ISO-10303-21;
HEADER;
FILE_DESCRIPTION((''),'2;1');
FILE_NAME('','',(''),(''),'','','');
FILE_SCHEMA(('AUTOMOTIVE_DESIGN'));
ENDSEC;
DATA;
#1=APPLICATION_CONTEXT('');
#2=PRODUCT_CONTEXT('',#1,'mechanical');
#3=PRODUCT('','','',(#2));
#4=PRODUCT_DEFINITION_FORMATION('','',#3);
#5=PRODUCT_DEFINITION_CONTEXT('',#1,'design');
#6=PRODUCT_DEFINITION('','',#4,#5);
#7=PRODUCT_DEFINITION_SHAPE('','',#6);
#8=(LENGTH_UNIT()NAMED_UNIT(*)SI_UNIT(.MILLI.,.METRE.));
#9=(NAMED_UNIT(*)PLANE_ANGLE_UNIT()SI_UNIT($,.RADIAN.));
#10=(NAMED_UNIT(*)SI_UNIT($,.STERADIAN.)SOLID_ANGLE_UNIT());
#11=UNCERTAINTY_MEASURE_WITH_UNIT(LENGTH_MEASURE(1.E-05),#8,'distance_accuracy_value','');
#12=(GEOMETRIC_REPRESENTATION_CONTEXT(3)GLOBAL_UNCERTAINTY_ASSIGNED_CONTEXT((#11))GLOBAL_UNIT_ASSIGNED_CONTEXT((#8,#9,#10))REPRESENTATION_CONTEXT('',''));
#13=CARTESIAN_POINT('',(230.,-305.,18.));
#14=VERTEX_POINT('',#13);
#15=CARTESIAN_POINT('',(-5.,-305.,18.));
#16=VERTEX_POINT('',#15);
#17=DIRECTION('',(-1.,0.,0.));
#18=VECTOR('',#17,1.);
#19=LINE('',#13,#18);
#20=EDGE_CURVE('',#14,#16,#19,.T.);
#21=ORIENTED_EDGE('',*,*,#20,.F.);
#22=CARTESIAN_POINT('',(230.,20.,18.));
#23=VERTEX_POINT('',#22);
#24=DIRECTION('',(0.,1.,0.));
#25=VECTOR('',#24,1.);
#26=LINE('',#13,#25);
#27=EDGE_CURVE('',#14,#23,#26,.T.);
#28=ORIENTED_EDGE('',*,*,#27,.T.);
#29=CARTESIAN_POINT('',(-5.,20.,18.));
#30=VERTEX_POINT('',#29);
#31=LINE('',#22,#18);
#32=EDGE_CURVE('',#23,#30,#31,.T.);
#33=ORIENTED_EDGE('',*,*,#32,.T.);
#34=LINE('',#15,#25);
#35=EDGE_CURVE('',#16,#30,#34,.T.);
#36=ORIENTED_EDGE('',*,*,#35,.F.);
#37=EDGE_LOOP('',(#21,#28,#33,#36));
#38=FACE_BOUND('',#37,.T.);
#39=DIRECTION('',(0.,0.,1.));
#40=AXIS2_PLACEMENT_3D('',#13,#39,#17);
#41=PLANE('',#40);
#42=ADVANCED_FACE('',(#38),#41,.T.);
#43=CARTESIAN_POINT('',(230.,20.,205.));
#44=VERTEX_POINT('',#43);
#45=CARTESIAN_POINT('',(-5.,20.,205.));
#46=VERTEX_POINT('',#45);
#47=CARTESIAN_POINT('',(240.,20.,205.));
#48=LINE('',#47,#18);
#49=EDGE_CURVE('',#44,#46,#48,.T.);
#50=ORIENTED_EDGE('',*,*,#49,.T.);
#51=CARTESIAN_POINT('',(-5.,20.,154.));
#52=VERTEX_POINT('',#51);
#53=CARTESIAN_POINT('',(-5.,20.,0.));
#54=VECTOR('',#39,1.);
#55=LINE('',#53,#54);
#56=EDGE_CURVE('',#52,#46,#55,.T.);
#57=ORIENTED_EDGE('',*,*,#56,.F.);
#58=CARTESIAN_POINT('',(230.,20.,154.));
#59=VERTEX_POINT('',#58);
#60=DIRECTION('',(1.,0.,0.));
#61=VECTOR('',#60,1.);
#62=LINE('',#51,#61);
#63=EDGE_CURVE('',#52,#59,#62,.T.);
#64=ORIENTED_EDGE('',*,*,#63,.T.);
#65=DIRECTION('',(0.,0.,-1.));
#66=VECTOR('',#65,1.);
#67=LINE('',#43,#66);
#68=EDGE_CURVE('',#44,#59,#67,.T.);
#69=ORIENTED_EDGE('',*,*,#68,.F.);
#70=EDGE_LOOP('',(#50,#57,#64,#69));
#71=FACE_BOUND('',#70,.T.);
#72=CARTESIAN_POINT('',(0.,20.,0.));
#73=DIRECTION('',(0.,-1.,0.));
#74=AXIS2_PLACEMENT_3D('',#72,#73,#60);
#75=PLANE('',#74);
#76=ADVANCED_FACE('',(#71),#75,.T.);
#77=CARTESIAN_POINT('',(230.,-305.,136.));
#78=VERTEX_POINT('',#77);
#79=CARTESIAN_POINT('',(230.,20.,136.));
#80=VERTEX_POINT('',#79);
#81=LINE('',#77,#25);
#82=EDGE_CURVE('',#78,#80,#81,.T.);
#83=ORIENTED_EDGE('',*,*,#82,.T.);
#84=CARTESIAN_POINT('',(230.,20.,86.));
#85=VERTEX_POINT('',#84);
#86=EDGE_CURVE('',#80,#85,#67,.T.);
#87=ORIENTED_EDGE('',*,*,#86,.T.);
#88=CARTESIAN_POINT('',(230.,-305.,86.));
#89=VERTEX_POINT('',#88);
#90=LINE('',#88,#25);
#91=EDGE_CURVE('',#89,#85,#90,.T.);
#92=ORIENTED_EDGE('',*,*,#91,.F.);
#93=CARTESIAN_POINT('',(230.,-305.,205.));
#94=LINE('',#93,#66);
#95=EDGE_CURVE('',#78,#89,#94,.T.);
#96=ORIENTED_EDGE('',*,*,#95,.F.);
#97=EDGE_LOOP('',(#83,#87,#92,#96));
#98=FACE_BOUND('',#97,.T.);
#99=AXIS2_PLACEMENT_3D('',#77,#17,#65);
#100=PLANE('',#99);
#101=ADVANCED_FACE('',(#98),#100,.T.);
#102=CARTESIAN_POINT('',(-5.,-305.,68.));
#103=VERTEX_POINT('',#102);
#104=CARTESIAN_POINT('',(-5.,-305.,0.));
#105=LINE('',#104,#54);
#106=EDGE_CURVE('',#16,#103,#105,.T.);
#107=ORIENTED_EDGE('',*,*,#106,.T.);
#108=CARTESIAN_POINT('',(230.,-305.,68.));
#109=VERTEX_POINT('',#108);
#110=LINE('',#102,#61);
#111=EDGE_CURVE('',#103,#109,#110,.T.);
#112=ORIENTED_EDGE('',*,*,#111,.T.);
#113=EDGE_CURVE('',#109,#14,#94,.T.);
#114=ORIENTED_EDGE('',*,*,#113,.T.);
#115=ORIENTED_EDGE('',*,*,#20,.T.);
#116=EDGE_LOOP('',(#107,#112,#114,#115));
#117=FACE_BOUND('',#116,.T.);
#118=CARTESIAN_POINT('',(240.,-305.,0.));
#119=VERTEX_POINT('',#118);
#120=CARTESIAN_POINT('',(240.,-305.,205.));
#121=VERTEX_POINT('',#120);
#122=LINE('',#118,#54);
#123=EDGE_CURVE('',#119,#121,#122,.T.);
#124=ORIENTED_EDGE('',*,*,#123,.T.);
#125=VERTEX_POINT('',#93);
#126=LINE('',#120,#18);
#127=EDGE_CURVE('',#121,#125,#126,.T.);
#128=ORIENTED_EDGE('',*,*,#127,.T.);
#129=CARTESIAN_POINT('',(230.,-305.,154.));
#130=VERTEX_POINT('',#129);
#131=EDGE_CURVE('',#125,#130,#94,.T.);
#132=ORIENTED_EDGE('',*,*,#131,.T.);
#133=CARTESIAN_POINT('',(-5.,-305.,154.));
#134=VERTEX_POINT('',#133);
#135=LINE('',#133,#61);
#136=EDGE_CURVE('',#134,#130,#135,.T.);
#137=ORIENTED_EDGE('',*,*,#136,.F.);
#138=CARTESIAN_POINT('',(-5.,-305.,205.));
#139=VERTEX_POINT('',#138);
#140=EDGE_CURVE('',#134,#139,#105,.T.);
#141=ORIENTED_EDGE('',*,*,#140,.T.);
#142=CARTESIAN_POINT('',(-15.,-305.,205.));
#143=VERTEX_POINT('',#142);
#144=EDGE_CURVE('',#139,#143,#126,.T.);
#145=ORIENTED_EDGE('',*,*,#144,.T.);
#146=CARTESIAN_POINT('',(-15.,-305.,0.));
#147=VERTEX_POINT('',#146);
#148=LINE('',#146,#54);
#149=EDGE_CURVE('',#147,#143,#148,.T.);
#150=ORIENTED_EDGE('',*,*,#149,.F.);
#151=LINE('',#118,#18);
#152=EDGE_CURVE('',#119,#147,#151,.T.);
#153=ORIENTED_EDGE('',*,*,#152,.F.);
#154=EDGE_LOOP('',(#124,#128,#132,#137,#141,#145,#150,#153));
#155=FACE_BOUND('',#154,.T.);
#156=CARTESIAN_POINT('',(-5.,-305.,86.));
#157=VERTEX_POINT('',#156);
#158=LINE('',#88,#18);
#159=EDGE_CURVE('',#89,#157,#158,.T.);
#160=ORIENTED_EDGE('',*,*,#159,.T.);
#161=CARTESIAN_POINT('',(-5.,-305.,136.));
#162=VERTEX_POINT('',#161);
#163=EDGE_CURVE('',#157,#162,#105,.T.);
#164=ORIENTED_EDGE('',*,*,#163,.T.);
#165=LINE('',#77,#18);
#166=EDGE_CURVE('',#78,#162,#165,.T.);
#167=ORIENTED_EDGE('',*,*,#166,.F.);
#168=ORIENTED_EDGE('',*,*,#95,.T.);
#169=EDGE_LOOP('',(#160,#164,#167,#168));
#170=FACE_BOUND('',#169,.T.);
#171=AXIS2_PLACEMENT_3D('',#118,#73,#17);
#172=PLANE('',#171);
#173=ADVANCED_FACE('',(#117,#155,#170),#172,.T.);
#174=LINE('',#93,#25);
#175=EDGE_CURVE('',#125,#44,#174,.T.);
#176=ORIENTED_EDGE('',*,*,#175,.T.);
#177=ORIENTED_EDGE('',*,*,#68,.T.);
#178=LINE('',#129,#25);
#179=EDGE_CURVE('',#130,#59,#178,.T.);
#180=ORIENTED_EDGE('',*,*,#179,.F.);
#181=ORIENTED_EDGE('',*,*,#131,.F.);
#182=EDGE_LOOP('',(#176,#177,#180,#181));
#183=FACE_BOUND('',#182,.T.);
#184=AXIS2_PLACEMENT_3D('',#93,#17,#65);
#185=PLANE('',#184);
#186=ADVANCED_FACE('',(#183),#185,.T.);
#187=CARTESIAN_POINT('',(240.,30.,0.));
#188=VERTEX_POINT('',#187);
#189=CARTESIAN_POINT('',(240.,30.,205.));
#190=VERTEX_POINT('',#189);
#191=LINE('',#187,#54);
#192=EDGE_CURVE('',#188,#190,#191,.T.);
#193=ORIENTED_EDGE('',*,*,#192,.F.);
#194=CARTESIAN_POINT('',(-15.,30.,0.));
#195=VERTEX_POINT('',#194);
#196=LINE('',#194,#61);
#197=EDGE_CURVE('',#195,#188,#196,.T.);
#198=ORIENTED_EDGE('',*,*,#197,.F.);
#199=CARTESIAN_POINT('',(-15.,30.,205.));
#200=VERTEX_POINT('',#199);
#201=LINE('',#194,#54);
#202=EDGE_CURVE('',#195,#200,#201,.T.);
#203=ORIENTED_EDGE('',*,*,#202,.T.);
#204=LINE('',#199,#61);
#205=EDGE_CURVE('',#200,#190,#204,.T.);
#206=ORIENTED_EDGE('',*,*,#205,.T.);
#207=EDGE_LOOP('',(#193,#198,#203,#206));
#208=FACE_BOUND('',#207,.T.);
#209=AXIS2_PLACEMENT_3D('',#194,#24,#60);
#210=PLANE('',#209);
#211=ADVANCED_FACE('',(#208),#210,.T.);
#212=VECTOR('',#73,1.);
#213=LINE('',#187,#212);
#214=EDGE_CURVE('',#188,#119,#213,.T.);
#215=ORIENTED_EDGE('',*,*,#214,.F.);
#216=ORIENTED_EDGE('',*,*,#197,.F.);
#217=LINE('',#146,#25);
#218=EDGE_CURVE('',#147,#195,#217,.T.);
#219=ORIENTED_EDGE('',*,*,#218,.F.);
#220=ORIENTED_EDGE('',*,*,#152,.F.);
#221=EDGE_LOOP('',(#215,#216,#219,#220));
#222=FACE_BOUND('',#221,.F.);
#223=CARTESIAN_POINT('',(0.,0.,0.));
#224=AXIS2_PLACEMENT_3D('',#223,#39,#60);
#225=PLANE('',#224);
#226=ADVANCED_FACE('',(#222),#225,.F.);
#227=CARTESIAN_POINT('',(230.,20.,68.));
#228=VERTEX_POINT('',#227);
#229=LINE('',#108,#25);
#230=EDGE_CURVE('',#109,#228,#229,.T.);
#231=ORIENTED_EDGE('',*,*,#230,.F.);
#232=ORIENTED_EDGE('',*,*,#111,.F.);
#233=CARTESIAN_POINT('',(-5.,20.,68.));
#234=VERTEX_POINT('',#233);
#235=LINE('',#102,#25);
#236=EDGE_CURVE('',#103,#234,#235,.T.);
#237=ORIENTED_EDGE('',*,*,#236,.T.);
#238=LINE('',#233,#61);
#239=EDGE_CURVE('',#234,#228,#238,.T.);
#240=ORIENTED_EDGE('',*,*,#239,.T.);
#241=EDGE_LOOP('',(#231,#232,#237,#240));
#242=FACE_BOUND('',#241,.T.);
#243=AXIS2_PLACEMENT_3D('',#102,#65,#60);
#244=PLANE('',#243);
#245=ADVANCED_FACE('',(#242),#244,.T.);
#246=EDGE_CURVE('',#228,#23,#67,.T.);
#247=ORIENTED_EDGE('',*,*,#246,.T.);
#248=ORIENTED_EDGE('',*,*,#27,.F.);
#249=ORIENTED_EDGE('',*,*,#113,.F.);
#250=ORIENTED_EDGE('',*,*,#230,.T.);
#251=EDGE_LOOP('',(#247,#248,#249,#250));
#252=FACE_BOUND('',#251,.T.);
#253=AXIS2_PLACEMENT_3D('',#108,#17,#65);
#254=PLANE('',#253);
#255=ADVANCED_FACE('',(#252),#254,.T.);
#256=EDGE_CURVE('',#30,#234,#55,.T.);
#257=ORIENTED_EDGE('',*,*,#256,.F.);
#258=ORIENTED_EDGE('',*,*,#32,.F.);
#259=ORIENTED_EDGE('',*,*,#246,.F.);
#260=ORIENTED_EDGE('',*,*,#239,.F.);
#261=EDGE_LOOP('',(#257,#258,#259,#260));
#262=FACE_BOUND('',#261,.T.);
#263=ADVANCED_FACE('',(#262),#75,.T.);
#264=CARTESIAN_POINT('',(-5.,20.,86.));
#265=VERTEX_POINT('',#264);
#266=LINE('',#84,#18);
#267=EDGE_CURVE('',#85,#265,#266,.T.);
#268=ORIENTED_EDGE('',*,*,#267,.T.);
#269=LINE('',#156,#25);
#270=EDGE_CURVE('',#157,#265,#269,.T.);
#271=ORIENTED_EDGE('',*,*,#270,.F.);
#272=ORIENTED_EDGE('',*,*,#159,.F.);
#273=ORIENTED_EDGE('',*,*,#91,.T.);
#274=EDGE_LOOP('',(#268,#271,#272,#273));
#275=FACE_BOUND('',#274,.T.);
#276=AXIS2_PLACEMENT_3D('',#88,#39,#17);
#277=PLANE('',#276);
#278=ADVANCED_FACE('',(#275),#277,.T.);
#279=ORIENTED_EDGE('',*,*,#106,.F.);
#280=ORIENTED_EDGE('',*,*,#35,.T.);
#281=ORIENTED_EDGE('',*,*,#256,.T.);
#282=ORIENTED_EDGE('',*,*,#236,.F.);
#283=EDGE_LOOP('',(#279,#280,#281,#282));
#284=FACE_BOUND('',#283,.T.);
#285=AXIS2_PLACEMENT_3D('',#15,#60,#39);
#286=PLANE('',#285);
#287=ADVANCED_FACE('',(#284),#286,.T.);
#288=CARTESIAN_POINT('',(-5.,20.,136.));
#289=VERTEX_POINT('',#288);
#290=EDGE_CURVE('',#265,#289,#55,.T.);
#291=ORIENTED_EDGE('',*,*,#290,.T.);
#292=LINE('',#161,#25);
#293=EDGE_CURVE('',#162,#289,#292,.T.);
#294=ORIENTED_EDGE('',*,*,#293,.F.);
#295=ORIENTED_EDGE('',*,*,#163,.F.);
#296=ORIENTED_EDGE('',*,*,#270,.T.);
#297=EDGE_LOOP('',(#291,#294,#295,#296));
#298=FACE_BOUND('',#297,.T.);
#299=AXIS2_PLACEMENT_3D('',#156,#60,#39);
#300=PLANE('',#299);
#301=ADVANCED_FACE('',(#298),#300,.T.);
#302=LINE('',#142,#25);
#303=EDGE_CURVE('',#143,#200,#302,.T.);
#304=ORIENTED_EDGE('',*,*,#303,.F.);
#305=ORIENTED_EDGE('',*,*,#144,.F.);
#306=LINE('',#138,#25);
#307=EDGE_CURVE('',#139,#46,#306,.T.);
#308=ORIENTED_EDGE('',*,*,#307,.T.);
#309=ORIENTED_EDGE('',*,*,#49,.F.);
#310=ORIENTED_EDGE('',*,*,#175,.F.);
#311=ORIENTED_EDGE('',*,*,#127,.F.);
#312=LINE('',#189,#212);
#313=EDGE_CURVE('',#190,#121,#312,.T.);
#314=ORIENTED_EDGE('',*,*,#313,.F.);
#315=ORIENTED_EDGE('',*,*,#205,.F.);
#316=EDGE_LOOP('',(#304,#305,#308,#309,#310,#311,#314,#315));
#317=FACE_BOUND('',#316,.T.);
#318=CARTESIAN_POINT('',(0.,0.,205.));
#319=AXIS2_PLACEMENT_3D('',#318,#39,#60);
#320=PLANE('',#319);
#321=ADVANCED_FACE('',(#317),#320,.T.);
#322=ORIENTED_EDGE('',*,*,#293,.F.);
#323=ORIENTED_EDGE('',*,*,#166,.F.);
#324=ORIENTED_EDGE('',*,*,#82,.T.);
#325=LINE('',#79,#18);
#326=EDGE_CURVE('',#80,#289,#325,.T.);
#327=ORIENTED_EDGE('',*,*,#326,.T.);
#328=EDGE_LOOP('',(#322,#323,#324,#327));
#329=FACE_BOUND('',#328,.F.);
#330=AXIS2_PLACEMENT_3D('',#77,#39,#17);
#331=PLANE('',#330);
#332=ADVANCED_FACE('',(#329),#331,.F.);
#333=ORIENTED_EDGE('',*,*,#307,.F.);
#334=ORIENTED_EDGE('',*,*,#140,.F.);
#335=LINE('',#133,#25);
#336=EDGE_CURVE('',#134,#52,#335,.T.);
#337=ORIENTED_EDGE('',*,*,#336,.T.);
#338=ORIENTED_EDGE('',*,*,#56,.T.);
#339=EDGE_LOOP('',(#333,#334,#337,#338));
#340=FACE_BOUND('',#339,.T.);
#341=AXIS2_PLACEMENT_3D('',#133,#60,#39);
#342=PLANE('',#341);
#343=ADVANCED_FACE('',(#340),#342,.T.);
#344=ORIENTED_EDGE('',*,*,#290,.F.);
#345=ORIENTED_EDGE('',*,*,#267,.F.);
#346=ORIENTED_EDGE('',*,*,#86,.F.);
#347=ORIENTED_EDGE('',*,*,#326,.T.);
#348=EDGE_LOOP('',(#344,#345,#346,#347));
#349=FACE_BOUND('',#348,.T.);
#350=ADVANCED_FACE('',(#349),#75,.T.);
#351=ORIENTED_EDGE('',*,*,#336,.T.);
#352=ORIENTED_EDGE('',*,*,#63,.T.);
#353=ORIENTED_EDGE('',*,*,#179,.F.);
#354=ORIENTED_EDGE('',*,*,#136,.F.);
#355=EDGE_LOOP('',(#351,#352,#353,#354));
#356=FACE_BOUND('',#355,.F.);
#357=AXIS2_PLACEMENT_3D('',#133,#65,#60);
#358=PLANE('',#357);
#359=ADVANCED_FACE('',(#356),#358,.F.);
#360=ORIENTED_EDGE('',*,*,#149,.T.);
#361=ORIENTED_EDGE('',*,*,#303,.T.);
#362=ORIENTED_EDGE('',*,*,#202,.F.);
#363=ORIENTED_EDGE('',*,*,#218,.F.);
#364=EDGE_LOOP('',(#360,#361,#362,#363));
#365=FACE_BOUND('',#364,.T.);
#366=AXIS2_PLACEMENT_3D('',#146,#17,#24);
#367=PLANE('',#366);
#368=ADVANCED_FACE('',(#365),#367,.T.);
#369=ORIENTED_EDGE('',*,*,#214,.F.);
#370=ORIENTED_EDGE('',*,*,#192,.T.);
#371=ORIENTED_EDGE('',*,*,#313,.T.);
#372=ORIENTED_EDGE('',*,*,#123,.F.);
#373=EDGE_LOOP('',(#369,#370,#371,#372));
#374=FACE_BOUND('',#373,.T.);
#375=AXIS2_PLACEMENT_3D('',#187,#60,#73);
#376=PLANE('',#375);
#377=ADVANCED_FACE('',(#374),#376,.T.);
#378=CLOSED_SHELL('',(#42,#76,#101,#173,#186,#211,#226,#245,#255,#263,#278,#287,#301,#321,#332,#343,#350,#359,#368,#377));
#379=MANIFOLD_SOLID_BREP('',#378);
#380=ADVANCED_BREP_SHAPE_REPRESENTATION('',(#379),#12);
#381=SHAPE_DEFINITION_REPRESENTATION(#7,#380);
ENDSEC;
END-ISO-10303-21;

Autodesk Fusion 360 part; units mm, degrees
sketch "Skizze1" plane through (0, 0, 0) normal (0, 0, 1) x (1, 0, 0)
  line L0 (-15, 30) -> (240, 30)
  line L1 (240, 30) -> (240, -305)
  line L2 (240, -305) -> (-15, -305)
  line L3 (-15, -305) -> (-15, 30)
  dimension "d1" = 255
  dimension "d2" = 335
extrude "Extrusion1" add sketch "Skizze1" along normal blind 205
sketch "Skizze2" plane through (0, -305, 0) normal (0, -1, 0) x (1, 0, 0)
  line L0 (-15, 0) -> (240, 0)
  line L1 (240, 0) -> (240, 205)
  line L2 (240, 205) -> (-15, 205)
  line L3 (-15, 205) -> (-15, 0)
sketch "Skizze3" plane through (0, -305, 0) normal (0, -1, 0) x (1, 0, 0)
  line L0 (-5, 205) -> (-15, 205)
  line L1 (-15, 205) -> (-15, 0)
  line L2 (-15, 0) -> (-5, 0)
  line L3 (-5, 0) -> (-5, 205)
  line L4 (230, 0) -> (240, 0)
  line L5 (240, 0) -> (240, 205)
  line L6 (240, 205) -> (230, 205)
  line L7 (230, 205) -> (230, 0)
  line L8 (-5, 0) -> (230, 0)
  line L9 (230, 0) -> (230, 18)
  line L10 (230, 18) -> (-5, 18)
  line L11 (-5, 18) -> (-5, 0)
  line L12 (-5, 68) -> (230, 68)
  line L13 (230, 68) -> (230, 86)
  line L14 (230, 86) -> (-5, 86)
  line L15 (-5, 86) -> (-5, 68)
  line L16 (-5, 154) -> (230, 154)
  line L17 (230, 154) -> (230, 136)
  line L18 (230, 136) -> (-5, 136)
  line L19 (-5, 136) -> (-5, 154)
  line L20 (240, 205) -> (-15, 205)
  dimension "d8" = 235
  dimension "d9" = 10
  dimension "d12" = 10
  dimension "d13" = 205
  dimension "d14" = 18
  dimension "d15" = 50
  dimension "d16" = 18
  dimension "d17" = 50
  dimension "d18" = 18
  dimension "d19" = 51
extrude "Extrusion2" cut sketch "Skizze3" against normal blind 325 contours L3 L7 L16 L20 | L3 L7 L14 L18 | L3 L7 L10 L12
